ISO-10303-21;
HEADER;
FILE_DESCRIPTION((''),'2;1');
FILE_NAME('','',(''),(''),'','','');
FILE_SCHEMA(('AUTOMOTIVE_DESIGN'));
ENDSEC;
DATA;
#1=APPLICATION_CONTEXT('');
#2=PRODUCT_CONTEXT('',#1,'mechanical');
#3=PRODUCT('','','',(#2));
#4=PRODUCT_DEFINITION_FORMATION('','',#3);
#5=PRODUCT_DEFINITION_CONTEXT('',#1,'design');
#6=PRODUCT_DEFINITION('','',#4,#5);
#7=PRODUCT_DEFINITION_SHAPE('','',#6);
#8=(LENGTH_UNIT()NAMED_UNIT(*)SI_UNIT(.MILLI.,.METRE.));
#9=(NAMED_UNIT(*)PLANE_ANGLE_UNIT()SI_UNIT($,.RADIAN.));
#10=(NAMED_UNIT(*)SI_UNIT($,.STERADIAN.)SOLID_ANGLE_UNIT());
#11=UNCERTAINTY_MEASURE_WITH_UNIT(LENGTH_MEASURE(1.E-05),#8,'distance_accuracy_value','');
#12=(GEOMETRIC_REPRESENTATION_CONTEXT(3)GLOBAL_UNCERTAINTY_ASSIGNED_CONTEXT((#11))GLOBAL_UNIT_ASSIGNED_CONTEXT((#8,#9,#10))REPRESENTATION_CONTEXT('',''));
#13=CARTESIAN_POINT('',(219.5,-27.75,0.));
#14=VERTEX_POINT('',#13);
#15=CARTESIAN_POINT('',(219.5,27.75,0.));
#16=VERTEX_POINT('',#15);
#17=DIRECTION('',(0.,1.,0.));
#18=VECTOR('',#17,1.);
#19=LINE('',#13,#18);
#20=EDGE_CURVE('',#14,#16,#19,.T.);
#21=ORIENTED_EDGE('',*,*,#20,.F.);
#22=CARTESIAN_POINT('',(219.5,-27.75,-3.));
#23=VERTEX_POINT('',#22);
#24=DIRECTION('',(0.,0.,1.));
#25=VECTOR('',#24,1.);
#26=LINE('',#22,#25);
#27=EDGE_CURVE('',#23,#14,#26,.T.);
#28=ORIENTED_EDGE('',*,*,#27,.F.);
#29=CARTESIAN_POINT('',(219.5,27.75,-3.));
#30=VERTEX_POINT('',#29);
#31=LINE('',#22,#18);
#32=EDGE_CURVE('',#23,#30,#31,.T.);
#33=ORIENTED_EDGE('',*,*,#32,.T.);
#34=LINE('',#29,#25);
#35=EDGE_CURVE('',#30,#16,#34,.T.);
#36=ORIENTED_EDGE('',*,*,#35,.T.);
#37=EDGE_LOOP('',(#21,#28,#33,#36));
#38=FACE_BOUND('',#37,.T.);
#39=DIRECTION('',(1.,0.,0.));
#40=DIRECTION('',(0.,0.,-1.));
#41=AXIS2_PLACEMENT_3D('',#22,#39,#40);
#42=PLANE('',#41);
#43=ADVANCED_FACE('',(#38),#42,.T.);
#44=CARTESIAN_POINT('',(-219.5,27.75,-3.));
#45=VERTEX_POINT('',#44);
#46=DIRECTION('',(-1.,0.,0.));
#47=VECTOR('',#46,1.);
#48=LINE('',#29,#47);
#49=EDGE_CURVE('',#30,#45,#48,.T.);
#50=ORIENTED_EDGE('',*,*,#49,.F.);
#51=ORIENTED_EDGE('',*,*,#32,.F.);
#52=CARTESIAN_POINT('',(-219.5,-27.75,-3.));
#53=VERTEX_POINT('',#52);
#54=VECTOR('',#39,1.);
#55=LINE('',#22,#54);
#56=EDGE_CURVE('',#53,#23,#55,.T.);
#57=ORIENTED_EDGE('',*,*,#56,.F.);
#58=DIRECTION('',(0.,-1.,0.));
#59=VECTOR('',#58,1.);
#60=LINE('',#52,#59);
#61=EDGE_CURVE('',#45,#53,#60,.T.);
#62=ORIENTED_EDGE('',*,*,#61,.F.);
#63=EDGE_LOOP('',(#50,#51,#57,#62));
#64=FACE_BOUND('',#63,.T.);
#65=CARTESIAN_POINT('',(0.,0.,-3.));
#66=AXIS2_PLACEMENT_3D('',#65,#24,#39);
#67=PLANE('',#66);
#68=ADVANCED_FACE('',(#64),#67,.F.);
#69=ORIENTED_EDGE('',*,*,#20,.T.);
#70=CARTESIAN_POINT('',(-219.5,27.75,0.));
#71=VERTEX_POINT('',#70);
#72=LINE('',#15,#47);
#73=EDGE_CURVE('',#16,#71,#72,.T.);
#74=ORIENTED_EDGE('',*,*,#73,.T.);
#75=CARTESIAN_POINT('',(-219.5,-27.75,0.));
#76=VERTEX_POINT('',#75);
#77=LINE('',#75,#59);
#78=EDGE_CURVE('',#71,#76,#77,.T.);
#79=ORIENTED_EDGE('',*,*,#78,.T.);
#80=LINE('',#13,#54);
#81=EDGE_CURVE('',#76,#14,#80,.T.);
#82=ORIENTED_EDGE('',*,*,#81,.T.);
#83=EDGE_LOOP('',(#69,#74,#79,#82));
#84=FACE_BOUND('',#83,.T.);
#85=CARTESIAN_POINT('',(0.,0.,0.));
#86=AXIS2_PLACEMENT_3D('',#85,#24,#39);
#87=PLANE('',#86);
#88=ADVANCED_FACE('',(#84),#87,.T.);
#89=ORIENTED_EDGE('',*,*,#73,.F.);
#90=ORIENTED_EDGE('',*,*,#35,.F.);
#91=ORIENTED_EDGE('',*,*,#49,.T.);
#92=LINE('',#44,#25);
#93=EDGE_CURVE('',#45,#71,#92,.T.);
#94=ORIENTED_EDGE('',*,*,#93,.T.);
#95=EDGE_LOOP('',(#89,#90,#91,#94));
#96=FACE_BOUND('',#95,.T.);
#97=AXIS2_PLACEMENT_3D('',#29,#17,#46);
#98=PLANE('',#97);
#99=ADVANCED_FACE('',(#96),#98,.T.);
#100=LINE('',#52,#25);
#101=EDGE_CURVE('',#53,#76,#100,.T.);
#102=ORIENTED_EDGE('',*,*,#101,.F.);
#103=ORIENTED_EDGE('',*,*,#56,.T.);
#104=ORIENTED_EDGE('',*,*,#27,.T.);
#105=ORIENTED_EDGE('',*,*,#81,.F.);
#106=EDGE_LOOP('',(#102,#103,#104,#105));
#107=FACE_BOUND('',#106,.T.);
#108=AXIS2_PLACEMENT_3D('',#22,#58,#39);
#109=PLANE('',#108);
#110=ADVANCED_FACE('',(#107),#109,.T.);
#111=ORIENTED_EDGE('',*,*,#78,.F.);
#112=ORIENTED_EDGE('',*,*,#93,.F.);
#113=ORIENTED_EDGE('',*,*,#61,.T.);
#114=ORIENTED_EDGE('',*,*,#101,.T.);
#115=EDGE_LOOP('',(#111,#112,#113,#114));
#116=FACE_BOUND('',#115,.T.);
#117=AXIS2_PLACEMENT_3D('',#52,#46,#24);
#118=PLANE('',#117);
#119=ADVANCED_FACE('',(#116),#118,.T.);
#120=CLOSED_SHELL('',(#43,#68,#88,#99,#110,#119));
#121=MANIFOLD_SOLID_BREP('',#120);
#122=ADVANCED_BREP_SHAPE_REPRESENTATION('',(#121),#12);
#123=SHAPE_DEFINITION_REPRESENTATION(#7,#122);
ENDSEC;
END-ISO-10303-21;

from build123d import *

# Parameters (mm, degrees)
CROQUIS3_W              = 439
CROQUIS3_H              = 55.5
SALIENTE_EXTRUIR3_DEPTH = 3


with BuildPart() as part:
    # Croquis3 → Saliente-Extruir3 (new body)
    with BuildSketch(Plane.XY):
        Rectangle(CROQUIS3_W, CROQUIS3_H)
    extrude(amount=-SALIENTE_EXTRUIR3_DEPTH)


solid = part.part
